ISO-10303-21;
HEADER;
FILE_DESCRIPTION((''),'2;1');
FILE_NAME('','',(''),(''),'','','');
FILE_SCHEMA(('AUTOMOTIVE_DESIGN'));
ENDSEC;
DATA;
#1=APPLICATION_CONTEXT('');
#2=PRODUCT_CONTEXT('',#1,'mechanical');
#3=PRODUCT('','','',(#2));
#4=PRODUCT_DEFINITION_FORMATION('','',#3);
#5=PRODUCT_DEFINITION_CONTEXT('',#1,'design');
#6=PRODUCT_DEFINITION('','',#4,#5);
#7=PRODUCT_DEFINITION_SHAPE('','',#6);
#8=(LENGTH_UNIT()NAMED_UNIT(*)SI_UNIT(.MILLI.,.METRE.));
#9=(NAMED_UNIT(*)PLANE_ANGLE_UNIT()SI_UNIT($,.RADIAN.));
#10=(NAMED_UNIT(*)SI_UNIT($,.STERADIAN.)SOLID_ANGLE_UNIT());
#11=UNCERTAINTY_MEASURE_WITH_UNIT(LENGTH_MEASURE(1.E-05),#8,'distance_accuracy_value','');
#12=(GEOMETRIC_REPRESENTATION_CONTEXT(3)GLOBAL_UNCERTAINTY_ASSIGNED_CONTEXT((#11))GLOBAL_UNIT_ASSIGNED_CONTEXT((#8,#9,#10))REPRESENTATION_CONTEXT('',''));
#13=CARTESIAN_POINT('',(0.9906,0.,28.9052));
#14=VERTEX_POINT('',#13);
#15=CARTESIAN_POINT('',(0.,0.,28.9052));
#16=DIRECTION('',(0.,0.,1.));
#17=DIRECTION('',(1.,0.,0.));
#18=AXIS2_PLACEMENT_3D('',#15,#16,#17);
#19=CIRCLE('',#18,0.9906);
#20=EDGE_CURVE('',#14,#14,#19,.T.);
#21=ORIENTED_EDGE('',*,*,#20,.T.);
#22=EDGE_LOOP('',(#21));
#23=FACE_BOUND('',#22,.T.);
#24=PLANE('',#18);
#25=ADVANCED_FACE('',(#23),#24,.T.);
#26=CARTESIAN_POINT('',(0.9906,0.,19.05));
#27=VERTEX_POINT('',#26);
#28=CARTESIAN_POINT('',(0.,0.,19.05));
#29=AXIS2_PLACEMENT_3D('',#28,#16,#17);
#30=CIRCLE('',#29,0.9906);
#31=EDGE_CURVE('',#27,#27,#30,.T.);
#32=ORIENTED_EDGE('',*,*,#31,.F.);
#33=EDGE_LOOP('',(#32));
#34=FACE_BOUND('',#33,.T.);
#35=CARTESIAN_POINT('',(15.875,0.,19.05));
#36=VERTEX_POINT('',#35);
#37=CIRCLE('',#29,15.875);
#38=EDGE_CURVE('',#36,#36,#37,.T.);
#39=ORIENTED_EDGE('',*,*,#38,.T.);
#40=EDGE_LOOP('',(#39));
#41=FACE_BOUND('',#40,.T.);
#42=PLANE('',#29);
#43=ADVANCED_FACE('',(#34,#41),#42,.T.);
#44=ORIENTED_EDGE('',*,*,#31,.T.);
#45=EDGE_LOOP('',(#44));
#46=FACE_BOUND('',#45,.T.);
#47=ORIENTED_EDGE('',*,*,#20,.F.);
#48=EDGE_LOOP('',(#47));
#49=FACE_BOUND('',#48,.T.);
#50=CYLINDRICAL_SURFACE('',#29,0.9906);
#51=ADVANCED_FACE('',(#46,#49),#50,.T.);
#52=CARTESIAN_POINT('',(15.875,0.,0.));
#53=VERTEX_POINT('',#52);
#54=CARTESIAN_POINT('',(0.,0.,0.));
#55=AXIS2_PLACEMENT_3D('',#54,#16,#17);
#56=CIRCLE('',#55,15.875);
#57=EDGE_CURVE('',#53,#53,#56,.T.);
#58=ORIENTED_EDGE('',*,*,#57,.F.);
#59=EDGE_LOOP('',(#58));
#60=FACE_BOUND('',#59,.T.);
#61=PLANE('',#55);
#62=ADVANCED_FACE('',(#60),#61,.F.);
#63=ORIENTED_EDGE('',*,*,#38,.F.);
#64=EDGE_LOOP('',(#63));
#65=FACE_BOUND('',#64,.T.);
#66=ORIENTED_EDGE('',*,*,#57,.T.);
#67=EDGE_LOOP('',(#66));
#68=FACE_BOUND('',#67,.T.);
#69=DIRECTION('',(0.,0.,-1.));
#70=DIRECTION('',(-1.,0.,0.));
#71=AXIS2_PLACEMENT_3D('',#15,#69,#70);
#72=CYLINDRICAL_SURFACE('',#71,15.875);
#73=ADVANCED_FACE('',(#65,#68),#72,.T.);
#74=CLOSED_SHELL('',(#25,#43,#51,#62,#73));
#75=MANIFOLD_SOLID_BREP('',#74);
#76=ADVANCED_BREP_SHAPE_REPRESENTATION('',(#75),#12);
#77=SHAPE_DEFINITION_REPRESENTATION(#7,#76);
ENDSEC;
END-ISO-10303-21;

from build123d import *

# Parameters (mm, degrees)
SKETCH2_R           = 15.875
BOSS_EXTRUDE1_DEPTH = 28.9052
CUT_EXTRUDE1_START  = 28.9052
SKETCH3_OUTSIDE_W   = 44.43
SKETCH3_OUTSIDE_H   = 44.43
SKETCH3_OUTSIDE_R   = 0.9906
CUT_EXTRUDE1_DEPTH  = 9.8552


with BuildPart() as part:
    # Sketch2 → Boss-Extrude1 (new body)
    with BuildSketch(Plane.XY):
        Circle(SKETCH2_R)
    extrude(amount=BOSS_EXTRUDE1_DEPTH)

    # Sketch3 outside → Cut-Extrude1 (cut)
    with BuildSketch(Plane.XY.offset(CUT_EXTRUDE1_START)):
        Rectangle(SKETCH3_OUTSIDE_W, SKETCH3_OUTSIDE_H)
        Circle(SKETCH3_OUTSIDE_R, mode=Mode.SUBTRACT)
    extrude(amount=-CUT_EXTRUDE1_DEPTH, mode=Mode.SUBTRACT)


solid = part.part
